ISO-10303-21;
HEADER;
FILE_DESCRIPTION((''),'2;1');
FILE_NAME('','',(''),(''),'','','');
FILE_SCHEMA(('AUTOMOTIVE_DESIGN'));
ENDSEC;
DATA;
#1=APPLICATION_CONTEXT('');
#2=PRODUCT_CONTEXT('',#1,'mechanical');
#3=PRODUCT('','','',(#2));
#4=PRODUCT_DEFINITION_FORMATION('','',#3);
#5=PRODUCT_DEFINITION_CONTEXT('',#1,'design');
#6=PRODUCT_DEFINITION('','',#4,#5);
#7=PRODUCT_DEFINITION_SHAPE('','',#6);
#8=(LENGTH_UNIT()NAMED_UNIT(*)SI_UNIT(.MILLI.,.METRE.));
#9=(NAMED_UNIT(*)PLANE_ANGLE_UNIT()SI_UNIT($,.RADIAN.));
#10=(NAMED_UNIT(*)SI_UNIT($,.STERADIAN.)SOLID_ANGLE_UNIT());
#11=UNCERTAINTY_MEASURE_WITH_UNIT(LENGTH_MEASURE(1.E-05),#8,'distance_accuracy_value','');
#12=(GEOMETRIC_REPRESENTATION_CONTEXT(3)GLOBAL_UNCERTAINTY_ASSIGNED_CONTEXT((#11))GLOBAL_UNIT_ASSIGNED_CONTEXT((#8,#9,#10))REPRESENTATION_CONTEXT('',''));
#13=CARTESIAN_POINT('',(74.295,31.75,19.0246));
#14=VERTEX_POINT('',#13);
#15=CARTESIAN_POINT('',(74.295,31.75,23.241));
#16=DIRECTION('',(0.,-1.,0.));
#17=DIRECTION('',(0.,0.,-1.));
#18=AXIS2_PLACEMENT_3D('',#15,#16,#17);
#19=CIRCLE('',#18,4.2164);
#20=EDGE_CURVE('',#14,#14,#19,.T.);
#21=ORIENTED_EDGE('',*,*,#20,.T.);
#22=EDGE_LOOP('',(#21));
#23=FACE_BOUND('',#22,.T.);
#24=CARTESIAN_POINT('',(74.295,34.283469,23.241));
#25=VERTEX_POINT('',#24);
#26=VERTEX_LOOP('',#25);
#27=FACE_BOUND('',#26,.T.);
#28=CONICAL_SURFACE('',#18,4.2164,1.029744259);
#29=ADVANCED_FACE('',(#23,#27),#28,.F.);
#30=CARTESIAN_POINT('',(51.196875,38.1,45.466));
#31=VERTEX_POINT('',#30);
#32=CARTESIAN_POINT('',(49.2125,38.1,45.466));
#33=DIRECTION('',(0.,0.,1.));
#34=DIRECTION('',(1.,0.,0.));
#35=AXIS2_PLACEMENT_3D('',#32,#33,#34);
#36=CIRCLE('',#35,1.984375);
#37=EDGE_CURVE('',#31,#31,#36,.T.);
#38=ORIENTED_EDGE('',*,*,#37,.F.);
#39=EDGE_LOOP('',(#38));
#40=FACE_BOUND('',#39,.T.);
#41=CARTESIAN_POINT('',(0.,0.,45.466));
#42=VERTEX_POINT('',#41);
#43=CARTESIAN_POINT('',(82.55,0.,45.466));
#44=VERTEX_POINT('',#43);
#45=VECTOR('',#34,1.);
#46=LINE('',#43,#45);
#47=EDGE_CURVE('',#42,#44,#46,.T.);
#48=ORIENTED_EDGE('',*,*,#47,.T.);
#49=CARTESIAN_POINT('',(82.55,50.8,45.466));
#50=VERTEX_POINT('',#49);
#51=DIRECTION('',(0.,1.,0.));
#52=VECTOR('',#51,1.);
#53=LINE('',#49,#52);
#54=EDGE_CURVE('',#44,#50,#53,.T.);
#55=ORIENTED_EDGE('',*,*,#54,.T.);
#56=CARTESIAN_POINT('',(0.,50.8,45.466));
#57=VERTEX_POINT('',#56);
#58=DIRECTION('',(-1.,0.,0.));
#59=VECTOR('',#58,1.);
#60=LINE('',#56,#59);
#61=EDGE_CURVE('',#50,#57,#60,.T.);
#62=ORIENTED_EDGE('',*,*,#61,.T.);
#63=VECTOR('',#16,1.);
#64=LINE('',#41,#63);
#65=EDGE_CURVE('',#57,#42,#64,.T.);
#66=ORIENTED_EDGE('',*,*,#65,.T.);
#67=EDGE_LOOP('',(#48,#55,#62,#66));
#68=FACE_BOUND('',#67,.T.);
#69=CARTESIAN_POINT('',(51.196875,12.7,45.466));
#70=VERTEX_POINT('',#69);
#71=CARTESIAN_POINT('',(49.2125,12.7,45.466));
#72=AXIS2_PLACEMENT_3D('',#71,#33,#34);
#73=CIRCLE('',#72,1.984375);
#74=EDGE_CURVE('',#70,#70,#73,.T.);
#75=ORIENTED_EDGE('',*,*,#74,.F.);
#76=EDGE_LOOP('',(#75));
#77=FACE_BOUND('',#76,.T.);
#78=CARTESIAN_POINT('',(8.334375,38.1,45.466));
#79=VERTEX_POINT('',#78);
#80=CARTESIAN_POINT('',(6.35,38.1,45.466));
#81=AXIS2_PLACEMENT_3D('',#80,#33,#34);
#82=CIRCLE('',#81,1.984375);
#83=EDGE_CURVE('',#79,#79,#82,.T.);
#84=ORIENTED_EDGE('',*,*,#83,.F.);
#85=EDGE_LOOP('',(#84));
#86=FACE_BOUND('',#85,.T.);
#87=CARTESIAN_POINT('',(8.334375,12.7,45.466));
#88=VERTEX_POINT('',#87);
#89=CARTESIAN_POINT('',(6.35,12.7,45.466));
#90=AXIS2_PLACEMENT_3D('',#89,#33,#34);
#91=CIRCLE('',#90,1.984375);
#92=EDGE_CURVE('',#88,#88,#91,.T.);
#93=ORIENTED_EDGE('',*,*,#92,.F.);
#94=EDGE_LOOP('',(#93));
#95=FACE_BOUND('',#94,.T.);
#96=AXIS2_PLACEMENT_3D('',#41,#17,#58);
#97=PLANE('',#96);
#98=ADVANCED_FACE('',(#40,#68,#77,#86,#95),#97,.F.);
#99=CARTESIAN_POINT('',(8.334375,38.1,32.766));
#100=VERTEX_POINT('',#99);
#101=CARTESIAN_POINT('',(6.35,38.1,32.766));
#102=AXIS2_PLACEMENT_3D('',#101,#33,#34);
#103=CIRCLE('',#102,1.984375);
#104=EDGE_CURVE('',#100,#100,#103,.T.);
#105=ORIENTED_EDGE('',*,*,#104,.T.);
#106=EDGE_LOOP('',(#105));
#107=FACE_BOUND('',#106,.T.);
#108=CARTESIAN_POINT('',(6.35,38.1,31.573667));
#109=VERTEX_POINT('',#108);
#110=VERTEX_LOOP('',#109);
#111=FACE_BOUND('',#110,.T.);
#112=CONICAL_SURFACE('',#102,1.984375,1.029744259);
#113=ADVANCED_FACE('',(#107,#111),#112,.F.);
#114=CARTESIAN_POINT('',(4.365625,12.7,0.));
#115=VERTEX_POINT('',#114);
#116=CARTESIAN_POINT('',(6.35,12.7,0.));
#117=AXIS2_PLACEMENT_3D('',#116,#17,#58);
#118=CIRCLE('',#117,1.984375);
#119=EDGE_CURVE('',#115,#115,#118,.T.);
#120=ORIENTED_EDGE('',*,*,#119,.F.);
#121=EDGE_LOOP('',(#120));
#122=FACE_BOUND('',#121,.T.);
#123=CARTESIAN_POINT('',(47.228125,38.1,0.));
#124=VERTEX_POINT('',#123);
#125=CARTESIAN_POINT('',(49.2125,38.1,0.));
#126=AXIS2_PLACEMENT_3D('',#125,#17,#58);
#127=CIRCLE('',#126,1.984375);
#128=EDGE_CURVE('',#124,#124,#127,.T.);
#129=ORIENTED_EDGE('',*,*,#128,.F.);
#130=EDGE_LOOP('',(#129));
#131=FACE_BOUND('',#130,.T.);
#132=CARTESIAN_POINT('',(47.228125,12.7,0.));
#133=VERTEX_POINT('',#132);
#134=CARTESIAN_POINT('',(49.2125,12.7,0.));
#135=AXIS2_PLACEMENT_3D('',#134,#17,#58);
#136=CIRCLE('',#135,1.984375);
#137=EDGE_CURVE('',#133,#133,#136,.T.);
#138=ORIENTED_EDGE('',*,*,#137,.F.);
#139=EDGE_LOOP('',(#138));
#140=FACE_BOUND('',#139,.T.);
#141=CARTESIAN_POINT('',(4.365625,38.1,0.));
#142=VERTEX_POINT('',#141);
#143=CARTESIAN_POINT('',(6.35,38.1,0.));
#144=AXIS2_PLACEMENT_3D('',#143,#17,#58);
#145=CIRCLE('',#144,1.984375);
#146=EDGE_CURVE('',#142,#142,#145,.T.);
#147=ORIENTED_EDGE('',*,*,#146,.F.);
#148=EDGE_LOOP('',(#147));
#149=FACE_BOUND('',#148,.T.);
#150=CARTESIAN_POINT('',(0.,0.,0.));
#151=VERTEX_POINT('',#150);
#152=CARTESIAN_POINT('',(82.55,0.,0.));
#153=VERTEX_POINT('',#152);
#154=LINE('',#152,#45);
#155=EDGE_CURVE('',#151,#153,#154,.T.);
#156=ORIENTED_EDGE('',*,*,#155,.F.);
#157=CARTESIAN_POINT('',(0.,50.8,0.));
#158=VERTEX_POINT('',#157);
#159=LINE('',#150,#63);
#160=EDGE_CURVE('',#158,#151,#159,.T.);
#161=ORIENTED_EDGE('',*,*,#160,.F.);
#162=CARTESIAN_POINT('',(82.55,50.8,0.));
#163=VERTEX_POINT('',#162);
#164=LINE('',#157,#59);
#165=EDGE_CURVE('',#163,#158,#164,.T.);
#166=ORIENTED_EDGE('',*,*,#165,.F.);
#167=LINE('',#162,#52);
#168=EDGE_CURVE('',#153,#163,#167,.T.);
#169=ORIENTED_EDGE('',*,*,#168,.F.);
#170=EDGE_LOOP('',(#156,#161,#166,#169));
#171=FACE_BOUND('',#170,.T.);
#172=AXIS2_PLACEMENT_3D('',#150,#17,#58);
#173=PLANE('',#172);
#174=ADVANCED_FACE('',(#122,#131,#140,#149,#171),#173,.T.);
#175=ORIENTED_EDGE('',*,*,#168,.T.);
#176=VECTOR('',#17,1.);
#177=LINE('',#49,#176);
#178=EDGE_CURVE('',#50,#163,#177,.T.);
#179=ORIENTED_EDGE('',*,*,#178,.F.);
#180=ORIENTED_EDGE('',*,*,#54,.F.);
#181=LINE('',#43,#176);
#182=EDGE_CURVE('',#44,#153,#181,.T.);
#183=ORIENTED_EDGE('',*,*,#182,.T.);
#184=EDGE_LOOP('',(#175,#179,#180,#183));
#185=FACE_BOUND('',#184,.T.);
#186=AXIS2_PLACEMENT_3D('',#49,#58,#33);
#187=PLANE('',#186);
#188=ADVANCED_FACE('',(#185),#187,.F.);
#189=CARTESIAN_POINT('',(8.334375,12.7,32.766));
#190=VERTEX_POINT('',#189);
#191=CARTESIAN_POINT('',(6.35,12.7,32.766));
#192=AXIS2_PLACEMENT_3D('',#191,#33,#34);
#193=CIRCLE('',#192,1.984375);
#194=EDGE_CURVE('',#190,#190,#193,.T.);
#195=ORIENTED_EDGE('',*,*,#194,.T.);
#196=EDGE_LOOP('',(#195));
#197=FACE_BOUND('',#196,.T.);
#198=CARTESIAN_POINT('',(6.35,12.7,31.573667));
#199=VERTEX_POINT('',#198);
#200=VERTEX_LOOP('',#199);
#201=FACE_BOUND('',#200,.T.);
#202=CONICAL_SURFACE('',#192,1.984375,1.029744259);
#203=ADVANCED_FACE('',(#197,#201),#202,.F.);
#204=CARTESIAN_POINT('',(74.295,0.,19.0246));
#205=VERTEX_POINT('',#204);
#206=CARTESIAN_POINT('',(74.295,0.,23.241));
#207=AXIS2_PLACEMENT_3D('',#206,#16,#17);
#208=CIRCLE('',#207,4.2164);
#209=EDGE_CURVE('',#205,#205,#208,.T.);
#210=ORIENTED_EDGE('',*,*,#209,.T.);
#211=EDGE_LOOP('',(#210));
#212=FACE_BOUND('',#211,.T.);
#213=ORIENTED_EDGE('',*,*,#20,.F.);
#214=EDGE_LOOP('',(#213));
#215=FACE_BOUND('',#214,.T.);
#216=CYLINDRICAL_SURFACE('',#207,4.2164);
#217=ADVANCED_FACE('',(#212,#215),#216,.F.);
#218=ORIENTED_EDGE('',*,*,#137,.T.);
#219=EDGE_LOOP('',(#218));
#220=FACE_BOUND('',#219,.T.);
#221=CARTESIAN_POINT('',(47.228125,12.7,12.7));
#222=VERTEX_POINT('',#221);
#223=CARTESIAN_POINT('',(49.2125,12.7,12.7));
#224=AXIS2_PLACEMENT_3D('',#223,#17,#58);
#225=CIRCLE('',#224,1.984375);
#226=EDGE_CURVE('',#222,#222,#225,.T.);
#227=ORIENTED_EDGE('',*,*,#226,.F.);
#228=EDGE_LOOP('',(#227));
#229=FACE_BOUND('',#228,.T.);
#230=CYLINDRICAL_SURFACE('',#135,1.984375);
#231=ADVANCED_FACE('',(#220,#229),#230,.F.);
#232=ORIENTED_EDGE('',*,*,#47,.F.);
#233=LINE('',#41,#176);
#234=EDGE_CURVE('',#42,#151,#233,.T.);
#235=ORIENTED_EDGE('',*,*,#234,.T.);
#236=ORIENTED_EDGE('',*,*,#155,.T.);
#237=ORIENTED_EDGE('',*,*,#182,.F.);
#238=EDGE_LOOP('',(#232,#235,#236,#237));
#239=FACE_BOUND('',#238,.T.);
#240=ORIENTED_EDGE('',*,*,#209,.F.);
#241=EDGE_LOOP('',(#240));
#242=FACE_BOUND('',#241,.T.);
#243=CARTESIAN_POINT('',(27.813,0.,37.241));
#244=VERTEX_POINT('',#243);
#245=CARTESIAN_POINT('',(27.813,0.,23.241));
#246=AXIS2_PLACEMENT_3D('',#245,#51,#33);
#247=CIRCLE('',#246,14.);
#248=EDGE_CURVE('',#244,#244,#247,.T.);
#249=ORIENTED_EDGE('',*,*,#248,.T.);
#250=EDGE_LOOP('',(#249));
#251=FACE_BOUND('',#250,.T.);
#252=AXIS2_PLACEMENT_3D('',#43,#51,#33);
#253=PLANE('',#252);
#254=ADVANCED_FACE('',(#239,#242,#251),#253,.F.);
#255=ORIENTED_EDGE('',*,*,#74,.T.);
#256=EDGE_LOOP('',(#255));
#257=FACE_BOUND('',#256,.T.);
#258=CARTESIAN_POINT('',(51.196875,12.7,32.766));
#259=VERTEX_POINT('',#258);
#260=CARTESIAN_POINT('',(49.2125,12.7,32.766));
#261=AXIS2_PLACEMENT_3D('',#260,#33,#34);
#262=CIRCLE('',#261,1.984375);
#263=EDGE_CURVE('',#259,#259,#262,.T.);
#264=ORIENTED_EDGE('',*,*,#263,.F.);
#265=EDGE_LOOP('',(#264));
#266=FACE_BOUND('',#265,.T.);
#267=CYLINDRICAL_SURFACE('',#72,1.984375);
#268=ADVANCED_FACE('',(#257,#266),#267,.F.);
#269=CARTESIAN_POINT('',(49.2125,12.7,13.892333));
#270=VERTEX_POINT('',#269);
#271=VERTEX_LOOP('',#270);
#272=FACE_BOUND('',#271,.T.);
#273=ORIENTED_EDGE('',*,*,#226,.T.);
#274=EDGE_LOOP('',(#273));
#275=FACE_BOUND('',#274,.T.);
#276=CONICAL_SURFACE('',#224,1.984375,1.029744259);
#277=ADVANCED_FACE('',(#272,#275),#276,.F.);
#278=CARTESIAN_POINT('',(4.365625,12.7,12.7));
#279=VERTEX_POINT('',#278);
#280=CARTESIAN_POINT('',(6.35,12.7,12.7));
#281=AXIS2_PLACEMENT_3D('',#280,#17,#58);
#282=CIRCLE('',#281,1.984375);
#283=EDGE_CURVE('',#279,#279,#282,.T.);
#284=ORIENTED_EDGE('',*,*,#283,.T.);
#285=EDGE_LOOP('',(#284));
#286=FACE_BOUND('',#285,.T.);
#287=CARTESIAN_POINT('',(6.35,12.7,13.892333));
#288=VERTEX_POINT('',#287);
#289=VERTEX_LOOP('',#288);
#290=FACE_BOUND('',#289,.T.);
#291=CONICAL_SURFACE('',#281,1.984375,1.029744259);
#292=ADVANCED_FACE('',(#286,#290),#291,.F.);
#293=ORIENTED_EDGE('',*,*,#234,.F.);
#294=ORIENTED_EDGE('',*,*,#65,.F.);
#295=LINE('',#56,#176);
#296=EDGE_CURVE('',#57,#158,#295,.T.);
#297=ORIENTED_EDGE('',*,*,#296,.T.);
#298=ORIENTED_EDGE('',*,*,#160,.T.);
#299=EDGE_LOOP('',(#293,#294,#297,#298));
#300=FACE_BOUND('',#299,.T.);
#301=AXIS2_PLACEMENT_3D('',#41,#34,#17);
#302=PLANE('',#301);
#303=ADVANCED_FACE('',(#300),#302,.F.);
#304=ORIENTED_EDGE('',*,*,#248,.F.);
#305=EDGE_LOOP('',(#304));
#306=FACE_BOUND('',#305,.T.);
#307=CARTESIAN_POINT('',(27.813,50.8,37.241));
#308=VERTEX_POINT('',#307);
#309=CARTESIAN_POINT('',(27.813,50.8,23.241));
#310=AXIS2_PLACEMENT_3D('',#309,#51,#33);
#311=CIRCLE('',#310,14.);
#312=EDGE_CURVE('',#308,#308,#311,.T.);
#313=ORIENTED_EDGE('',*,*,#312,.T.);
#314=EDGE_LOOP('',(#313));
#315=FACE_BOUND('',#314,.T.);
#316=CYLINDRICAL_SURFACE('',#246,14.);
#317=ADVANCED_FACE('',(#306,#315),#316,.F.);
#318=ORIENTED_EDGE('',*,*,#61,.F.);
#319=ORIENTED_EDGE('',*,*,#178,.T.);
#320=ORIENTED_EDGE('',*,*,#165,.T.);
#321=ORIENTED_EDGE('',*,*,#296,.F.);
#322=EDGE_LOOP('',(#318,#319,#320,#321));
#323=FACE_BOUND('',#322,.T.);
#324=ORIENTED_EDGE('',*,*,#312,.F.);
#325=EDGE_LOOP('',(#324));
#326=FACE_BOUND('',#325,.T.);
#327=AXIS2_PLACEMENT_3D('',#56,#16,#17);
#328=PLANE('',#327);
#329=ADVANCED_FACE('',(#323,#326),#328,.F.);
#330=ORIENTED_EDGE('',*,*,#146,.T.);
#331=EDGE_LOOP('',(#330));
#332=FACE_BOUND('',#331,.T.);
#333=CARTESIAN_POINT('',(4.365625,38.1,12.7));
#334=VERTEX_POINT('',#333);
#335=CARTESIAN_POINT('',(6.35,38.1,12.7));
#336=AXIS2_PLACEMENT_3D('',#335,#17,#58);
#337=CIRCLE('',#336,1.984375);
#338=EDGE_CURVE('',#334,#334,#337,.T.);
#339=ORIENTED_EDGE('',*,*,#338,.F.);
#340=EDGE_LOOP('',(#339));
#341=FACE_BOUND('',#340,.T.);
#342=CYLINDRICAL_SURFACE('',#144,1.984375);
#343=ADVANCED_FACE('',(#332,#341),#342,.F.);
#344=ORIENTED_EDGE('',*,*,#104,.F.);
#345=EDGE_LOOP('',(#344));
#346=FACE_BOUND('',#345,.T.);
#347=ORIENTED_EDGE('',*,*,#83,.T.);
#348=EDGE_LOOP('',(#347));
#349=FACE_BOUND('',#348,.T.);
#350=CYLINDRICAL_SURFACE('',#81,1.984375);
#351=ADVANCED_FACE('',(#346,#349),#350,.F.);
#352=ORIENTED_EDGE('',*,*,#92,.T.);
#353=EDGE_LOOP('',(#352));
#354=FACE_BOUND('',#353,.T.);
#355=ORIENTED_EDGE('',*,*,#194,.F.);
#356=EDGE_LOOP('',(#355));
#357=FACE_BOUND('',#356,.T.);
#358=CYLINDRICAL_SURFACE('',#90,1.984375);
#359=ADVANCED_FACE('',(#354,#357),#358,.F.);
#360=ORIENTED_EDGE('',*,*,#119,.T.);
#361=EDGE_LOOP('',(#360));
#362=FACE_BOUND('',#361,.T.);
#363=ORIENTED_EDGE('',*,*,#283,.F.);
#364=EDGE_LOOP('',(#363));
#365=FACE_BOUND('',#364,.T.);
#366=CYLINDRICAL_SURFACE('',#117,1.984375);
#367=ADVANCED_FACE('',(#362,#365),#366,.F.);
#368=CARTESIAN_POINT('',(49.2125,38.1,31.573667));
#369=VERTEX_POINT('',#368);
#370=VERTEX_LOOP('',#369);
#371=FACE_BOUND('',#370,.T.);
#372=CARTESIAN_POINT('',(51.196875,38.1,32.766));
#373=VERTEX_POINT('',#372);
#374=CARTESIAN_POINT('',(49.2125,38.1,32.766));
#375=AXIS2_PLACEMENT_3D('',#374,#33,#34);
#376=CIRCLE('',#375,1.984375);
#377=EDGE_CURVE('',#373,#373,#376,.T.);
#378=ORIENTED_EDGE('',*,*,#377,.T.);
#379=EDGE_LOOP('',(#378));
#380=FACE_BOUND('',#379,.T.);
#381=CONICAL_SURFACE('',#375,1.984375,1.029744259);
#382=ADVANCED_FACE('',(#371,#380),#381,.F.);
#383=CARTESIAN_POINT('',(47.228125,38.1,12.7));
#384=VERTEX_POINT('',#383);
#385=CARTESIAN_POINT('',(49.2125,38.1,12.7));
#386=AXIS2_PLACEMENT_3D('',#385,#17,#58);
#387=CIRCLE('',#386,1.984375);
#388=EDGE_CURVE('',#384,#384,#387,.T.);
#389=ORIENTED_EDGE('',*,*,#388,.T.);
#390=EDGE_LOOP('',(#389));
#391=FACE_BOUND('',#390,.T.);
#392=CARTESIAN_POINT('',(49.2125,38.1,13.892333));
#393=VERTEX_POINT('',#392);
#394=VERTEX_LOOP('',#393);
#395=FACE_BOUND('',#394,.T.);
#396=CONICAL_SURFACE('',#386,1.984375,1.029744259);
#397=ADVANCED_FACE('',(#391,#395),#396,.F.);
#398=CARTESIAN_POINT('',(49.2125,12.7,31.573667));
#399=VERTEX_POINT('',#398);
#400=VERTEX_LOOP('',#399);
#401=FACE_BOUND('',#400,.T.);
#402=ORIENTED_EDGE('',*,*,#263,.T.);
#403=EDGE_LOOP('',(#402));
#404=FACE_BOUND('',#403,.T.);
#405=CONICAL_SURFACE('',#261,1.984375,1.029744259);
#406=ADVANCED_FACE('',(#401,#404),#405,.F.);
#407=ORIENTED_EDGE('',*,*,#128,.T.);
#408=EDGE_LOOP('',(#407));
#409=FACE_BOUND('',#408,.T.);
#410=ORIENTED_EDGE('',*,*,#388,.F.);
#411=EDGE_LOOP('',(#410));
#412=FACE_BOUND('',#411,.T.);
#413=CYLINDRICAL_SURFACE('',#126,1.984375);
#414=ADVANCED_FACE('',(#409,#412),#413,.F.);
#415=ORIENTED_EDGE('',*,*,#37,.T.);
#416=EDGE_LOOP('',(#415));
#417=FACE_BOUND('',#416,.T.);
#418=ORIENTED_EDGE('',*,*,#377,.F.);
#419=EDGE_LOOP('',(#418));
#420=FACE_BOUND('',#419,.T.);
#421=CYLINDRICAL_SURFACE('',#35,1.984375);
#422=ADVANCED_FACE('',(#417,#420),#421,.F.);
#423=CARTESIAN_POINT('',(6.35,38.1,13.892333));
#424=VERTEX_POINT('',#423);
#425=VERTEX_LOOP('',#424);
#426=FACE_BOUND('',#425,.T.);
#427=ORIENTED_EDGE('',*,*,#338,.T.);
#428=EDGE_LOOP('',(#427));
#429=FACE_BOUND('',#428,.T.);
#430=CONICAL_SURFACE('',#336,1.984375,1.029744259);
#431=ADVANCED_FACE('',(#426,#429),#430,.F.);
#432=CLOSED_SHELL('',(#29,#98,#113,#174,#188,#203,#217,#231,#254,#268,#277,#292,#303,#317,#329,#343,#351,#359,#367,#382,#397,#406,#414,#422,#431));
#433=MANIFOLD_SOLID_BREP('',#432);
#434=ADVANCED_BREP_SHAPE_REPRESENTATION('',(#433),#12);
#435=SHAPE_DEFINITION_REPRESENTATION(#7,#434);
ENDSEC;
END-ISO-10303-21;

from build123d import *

# Parameters (mm, degrees)
SKETCH1_W                                = 82.55
SKETCH1_H                                = 50.8
BOSS_EXTRUDE1_DEPTH                      = 45.466
SKETCH2_R                                = 14
CUT_EXTRUDE1_DEPTH                       = 51.8
F_5_32_0_15625_DIAMETER_HOLE1_AT_2_COUNT = 2
F_5_32_0_15625_DIAMETER_HOLE1_AT_2_PITCH = 42.8625
F_5_32_0_15625_DIAMETER_HOLE1_AT_3_COUNT = 2
F_5_32_0_15625_DIAMETER_HOLE1_AT_3_PITCH = 49.823226574
F_5_32_0_15625_DIAMETER_HOLE1_AT_4_COUNT = 2
F_5_32_0_15625_DIAMETER_HOLE1_AT_4_PITCH = 25.4
TAP_DRILL_FOR_3_8_24_TAP2_D              = 8.4328
TAP_DRILL_FOR_3_8_24_TAP2_DEPTH          = 31.75
TAP_DRILL_FOR_3_8_24_TAP2_TIP            = 2.533468714


with BuildPart() as part:
    # Sketch1 → Boss-Extrude1 (new body)
    with BuildSketch(Plane.XY):
        with Locations((41.275, 25.4)):
            Rectangle(SKETCH1_W, SKETCH1_H)
    extrude(amount=BOSS_EXTRUDE1_DEPTH)

    # Sketch2 → Cut-Extrude1 (cut, through all)
    with BuildSketch(Plane(origin=(0, 50.8, 0), x_dir=(1, 0, 0), z_dir=(0, 1, 0))):
        with Locations((27.813, -23.241)):
            Circle(SKETCH2_R)
    extrude(amount=-CUT_EXTRUDE1_DEPTH, mode=Mode.SUBTRACT)

    # Sketch6 → 5/32 (0.15625) Diameter Hole1 (revolve, cut)
    with BuildSketch(Plane(origin=(6.35, 38.1, 45.466), x_dir=(0, -1, 0), z_dir=(1, 0, 0))):
        Polygon((0, 0), (0, 13.892332791), (1.984375, 12.7), (1.984375, 0), align=None)
    f_5_32_0_15625_diameter_hole1 = revolve(axis=Axis((6.35, 38.1, 51.816), (0, 0, -1)), mode=Mode.SUBTRACT)

    # 5/32 (0.15625) Diameter Hole1 at 2: 5/32 (0.15625) Diameter Hole1 ×2
    with Locations(*[(i * F_5_32_0_15625_DIAMETER_HOLE1_AT_2_PITCH, 0, 0) for i in range(1, F_5_32_0_15625_DIAMETER_HOLE1_AT_2_COUNT)]):
        add(f_5_32_0_15625_diameter_hole1, mode=Mode.SUBTRACT)

    # 5/32 (0.15625) Diameter Hole1 at 3: 5/32 (0.15625) Diameter Hole1 ×2
    with Locations(*[Vector(0.860291534, -0.50980239, 0) * (i * F_5_32_0_15625_DIAMETER_HOLE1_AT_3_PITCH) for i in range(1, F_5_32_0_15625_DIAMETER_HOLE1_AT_3_COUNT)]):
        add(f_5_32_0_15625_diameter_hole1, mode=Mode.SUBTRACT)

    # 5/32 (0.15625) Diameter Hole1 at 4: 5/32 (0.15625) Diameter Hole1 ×2
    with Locations(*[(0, -i * F_5_32_0_15625_DIAMETER_HOLE1_AT_4_PITCH, 0) for i in range(1, F_5_32_0_15625_DIAMETER_HOLE1_AT_4_COUNT)]):
        add(f_5_32_0_15625_diameter_hole1, mode=Mode.SUBTRACT)

    # Mirror1: 5/32 (0.15625) Diameter Hole1 across plane
    add(f_5_32_0_15625_diameter_hole1.mirror(Plane.XY.offset(22.733)), mode=Mode.SUBTRACT)

    # Mirror1 copy 1 sketch → Mirror1 copy 1 (revolve, cut)
    with BuildSketch(Plane(origin=(49.2125, 38.1, 0), x_dir=(0, -1, 0), z_dir=(1, 0, 0))):
        Polygon((0, 0), (0, -13.892332791), (1.984375, -12.7), (1.984375, 0), align=None)
    revolve(axis=Axis((49.2125, 38.1, -6.35), (0, 0, -1)), mode=Mode.SUBTRACT)

    # Mirror1 copy 2 sketch → Mirror1 copy 2 (revolve, cut)
    with BuildSketch(Plane(origin=(49.2125, 12.7, 0), x_dir=(0, -1, 0), z_dir=(1, 0, 0))):
        Polygon((0, 0), (0, -13.892332791), (1.984375, -12.7), (1.984375, 0), align=None)
    revolve(axis=Axis((49.2125, 12.7, -6.35), (0, 0, -1)), mode=Mode.SUBTRACT)

    # Mirror1 copy 3 sketch → Mirror1 copy 3 (revolve, cut)
    with BuildSketch(Plane(origin=(6.35, 12.7, 0), x_dir=(0, -1, 0), z_dir=(1, 0, 0))):
        Polygon((0, 0), (0, -13.892332791), (1.984375, -12.7), (1.984375, 0), align=None)
    revolve(axis=Axis((6.35, 12.7, -6.35), (0, 0, -1)), mode=Mode.SUBTRACT)

    # Tap Drill for 3/8-24 Tap2
    with Locations(Plane(origin=(0, 0, 0), x_dir=(-1, 0, 0), z_dir=(0, -1, 0))):
        with Locations((-74.295, -23.241)):
            Hole(TAP_DRILL_FOR_3_8_24_TAP2_D / 2, depth=TAP_DRILL_FOR_3_8_24_TAP2_DEPTH)
            with Locations((0, 0, -(TAP_DRILL_FOR_3_8_24_TAP2_DEPTH + TAP_DRILL_FOR_3_8_24_TAP2_TIP / 2))):  # 118° drill point
                Cone(0, TAP_DRILL_FOR_3_8_24_TAP2_D / 2, TAP_DRILL_FOR_3_8_24_TAP2_TIP, mode=Mode.SUBTRACT)


solid = part.part
